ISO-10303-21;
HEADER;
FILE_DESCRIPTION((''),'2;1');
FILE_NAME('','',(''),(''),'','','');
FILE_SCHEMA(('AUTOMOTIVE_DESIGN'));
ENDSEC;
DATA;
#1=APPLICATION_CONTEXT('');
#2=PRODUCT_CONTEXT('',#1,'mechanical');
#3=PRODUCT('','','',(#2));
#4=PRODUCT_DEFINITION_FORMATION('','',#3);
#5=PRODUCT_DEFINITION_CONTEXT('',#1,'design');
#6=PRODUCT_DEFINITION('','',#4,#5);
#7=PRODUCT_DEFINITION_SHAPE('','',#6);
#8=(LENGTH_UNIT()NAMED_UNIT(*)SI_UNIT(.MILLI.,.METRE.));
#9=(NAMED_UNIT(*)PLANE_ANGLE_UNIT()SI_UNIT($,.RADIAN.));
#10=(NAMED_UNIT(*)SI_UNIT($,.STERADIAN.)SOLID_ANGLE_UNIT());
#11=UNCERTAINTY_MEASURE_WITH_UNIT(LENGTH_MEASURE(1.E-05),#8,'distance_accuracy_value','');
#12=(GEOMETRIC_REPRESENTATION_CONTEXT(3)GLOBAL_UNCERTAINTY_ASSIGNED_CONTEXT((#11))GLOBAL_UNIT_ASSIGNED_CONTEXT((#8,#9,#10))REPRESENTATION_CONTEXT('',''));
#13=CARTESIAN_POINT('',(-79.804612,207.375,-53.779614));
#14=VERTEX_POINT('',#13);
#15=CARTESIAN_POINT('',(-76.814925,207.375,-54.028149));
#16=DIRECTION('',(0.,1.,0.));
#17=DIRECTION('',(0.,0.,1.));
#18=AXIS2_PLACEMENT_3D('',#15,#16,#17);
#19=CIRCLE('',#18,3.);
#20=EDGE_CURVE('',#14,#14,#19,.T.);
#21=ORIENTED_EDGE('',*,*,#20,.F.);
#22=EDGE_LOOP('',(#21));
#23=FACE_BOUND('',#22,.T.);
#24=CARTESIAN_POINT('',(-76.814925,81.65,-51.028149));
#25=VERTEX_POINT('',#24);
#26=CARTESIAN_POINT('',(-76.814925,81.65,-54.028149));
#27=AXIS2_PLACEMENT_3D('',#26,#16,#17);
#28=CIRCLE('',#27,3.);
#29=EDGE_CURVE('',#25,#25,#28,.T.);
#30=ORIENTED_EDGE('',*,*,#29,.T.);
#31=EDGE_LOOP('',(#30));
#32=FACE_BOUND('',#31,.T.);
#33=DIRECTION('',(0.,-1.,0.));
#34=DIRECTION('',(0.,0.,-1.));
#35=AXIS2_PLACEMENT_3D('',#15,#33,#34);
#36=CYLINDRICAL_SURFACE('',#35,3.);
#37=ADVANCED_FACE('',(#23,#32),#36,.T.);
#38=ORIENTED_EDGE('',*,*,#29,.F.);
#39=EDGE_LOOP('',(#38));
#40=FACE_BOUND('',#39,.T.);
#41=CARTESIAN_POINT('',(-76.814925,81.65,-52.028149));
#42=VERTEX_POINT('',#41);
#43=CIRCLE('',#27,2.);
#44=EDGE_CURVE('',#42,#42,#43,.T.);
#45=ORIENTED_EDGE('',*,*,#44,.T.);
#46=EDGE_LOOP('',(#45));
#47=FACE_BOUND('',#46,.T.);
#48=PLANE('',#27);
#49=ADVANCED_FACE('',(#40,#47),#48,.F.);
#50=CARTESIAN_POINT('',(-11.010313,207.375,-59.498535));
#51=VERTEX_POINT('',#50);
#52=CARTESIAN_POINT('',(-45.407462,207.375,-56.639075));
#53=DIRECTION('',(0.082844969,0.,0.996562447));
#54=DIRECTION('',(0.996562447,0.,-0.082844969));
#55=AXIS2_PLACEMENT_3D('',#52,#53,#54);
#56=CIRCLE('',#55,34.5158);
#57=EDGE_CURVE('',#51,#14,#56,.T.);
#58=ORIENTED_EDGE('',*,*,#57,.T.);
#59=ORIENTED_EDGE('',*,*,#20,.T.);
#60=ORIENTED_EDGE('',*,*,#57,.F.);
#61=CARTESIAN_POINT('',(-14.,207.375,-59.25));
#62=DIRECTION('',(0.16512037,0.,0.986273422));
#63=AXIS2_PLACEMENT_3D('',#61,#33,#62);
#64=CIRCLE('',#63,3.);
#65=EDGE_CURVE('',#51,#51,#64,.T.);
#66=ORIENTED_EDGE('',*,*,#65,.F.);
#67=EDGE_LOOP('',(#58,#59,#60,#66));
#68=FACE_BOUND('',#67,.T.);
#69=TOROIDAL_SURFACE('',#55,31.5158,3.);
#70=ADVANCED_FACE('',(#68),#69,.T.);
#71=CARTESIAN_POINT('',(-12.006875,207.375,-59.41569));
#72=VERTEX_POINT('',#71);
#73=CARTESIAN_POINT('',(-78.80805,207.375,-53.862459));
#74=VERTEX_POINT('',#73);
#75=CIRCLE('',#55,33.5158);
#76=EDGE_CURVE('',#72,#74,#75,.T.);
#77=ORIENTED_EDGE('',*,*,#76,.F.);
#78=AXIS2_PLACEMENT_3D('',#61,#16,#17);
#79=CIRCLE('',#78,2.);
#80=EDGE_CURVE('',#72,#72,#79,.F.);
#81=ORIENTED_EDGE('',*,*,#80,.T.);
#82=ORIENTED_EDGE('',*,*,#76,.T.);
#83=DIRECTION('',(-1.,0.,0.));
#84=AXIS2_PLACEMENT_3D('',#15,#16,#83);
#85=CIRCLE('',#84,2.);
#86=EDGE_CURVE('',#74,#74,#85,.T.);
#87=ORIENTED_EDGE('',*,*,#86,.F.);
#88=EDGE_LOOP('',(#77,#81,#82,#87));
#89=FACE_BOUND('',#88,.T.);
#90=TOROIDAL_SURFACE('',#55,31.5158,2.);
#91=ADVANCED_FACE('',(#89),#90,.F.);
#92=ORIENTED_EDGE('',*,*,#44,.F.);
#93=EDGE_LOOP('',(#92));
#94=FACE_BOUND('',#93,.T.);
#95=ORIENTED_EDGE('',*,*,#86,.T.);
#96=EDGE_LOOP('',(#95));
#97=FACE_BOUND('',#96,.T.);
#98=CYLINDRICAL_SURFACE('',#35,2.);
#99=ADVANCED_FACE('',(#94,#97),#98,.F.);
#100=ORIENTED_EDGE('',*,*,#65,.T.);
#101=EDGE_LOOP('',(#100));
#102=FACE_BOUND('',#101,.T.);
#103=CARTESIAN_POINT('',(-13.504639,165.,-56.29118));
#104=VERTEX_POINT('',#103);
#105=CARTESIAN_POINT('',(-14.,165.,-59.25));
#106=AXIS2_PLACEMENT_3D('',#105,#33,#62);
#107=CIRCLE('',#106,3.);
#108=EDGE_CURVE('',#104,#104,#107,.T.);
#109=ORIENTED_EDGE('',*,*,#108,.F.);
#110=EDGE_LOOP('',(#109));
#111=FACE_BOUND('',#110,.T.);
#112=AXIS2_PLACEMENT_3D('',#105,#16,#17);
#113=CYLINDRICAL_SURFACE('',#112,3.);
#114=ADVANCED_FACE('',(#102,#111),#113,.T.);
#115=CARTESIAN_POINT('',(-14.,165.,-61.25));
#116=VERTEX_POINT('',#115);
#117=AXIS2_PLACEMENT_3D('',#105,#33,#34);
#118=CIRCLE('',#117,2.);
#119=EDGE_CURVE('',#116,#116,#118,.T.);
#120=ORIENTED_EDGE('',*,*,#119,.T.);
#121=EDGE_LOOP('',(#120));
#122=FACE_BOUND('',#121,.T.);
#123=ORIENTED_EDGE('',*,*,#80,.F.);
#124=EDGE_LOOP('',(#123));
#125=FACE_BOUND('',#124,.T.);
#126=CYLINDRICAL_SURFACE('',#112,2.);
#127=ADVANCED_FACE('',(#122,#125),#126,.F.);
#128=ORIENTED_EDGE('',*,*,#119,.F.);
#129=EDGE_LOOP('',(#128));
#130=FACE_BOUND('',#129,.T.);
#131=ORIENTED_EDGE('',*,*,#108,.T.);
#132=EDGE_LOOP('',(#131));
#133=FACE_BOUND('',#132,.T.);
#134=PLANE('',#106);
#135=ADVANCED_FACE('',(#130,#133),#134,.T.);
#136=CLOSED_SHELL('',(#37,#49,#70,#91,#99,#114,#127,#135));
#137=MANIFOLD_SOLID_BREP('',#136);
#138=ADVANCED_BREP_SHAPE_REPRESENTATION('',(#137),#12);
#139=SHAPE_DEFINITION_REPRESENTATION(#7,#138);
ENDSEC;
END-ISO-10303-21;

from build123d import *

# Parameters (mm, degrees)
BALAYAGE_MINCE1_PROFILE_R   = 3
BALAYAGE_MINCE1_PROFILE_R_2 = 2


with BuildPart() as part:
    # Balayage-Mince1: sweep along a curve in space
    with BuildLine() as balayage_mince1_path:
        Line((-14, 165, -59.25), (-14, 207.375, -59.25))
        ThreePointArc((-14, 207.375, -59.25), (-45.407462351, 238.890799577, -56.639074556), (-76.814924701, 207.375, -54.028149113))
        Line((-76.814924701, 207.375, -54.028149113), (-76.814924701, 81.65, -54.028149113))
    # Balayage-Mince1 profile (on start of the path) → Balayage-Mince1 (sweep)
    with BuildSketch(Plane(origin=(-14, 165, -59.25), x_dir=(0, 0, 1), z_dir=(0, 1, 0))):
        Circle(BALAYAGE_MINCE1_PROFILE_R)
        Circle(BALAYAGE_MINCE1_PROFILE_R_2, mode=Mode.SUBTRACT)
    sweep(path=balayage_mince1_path.line)


solid = part.part
